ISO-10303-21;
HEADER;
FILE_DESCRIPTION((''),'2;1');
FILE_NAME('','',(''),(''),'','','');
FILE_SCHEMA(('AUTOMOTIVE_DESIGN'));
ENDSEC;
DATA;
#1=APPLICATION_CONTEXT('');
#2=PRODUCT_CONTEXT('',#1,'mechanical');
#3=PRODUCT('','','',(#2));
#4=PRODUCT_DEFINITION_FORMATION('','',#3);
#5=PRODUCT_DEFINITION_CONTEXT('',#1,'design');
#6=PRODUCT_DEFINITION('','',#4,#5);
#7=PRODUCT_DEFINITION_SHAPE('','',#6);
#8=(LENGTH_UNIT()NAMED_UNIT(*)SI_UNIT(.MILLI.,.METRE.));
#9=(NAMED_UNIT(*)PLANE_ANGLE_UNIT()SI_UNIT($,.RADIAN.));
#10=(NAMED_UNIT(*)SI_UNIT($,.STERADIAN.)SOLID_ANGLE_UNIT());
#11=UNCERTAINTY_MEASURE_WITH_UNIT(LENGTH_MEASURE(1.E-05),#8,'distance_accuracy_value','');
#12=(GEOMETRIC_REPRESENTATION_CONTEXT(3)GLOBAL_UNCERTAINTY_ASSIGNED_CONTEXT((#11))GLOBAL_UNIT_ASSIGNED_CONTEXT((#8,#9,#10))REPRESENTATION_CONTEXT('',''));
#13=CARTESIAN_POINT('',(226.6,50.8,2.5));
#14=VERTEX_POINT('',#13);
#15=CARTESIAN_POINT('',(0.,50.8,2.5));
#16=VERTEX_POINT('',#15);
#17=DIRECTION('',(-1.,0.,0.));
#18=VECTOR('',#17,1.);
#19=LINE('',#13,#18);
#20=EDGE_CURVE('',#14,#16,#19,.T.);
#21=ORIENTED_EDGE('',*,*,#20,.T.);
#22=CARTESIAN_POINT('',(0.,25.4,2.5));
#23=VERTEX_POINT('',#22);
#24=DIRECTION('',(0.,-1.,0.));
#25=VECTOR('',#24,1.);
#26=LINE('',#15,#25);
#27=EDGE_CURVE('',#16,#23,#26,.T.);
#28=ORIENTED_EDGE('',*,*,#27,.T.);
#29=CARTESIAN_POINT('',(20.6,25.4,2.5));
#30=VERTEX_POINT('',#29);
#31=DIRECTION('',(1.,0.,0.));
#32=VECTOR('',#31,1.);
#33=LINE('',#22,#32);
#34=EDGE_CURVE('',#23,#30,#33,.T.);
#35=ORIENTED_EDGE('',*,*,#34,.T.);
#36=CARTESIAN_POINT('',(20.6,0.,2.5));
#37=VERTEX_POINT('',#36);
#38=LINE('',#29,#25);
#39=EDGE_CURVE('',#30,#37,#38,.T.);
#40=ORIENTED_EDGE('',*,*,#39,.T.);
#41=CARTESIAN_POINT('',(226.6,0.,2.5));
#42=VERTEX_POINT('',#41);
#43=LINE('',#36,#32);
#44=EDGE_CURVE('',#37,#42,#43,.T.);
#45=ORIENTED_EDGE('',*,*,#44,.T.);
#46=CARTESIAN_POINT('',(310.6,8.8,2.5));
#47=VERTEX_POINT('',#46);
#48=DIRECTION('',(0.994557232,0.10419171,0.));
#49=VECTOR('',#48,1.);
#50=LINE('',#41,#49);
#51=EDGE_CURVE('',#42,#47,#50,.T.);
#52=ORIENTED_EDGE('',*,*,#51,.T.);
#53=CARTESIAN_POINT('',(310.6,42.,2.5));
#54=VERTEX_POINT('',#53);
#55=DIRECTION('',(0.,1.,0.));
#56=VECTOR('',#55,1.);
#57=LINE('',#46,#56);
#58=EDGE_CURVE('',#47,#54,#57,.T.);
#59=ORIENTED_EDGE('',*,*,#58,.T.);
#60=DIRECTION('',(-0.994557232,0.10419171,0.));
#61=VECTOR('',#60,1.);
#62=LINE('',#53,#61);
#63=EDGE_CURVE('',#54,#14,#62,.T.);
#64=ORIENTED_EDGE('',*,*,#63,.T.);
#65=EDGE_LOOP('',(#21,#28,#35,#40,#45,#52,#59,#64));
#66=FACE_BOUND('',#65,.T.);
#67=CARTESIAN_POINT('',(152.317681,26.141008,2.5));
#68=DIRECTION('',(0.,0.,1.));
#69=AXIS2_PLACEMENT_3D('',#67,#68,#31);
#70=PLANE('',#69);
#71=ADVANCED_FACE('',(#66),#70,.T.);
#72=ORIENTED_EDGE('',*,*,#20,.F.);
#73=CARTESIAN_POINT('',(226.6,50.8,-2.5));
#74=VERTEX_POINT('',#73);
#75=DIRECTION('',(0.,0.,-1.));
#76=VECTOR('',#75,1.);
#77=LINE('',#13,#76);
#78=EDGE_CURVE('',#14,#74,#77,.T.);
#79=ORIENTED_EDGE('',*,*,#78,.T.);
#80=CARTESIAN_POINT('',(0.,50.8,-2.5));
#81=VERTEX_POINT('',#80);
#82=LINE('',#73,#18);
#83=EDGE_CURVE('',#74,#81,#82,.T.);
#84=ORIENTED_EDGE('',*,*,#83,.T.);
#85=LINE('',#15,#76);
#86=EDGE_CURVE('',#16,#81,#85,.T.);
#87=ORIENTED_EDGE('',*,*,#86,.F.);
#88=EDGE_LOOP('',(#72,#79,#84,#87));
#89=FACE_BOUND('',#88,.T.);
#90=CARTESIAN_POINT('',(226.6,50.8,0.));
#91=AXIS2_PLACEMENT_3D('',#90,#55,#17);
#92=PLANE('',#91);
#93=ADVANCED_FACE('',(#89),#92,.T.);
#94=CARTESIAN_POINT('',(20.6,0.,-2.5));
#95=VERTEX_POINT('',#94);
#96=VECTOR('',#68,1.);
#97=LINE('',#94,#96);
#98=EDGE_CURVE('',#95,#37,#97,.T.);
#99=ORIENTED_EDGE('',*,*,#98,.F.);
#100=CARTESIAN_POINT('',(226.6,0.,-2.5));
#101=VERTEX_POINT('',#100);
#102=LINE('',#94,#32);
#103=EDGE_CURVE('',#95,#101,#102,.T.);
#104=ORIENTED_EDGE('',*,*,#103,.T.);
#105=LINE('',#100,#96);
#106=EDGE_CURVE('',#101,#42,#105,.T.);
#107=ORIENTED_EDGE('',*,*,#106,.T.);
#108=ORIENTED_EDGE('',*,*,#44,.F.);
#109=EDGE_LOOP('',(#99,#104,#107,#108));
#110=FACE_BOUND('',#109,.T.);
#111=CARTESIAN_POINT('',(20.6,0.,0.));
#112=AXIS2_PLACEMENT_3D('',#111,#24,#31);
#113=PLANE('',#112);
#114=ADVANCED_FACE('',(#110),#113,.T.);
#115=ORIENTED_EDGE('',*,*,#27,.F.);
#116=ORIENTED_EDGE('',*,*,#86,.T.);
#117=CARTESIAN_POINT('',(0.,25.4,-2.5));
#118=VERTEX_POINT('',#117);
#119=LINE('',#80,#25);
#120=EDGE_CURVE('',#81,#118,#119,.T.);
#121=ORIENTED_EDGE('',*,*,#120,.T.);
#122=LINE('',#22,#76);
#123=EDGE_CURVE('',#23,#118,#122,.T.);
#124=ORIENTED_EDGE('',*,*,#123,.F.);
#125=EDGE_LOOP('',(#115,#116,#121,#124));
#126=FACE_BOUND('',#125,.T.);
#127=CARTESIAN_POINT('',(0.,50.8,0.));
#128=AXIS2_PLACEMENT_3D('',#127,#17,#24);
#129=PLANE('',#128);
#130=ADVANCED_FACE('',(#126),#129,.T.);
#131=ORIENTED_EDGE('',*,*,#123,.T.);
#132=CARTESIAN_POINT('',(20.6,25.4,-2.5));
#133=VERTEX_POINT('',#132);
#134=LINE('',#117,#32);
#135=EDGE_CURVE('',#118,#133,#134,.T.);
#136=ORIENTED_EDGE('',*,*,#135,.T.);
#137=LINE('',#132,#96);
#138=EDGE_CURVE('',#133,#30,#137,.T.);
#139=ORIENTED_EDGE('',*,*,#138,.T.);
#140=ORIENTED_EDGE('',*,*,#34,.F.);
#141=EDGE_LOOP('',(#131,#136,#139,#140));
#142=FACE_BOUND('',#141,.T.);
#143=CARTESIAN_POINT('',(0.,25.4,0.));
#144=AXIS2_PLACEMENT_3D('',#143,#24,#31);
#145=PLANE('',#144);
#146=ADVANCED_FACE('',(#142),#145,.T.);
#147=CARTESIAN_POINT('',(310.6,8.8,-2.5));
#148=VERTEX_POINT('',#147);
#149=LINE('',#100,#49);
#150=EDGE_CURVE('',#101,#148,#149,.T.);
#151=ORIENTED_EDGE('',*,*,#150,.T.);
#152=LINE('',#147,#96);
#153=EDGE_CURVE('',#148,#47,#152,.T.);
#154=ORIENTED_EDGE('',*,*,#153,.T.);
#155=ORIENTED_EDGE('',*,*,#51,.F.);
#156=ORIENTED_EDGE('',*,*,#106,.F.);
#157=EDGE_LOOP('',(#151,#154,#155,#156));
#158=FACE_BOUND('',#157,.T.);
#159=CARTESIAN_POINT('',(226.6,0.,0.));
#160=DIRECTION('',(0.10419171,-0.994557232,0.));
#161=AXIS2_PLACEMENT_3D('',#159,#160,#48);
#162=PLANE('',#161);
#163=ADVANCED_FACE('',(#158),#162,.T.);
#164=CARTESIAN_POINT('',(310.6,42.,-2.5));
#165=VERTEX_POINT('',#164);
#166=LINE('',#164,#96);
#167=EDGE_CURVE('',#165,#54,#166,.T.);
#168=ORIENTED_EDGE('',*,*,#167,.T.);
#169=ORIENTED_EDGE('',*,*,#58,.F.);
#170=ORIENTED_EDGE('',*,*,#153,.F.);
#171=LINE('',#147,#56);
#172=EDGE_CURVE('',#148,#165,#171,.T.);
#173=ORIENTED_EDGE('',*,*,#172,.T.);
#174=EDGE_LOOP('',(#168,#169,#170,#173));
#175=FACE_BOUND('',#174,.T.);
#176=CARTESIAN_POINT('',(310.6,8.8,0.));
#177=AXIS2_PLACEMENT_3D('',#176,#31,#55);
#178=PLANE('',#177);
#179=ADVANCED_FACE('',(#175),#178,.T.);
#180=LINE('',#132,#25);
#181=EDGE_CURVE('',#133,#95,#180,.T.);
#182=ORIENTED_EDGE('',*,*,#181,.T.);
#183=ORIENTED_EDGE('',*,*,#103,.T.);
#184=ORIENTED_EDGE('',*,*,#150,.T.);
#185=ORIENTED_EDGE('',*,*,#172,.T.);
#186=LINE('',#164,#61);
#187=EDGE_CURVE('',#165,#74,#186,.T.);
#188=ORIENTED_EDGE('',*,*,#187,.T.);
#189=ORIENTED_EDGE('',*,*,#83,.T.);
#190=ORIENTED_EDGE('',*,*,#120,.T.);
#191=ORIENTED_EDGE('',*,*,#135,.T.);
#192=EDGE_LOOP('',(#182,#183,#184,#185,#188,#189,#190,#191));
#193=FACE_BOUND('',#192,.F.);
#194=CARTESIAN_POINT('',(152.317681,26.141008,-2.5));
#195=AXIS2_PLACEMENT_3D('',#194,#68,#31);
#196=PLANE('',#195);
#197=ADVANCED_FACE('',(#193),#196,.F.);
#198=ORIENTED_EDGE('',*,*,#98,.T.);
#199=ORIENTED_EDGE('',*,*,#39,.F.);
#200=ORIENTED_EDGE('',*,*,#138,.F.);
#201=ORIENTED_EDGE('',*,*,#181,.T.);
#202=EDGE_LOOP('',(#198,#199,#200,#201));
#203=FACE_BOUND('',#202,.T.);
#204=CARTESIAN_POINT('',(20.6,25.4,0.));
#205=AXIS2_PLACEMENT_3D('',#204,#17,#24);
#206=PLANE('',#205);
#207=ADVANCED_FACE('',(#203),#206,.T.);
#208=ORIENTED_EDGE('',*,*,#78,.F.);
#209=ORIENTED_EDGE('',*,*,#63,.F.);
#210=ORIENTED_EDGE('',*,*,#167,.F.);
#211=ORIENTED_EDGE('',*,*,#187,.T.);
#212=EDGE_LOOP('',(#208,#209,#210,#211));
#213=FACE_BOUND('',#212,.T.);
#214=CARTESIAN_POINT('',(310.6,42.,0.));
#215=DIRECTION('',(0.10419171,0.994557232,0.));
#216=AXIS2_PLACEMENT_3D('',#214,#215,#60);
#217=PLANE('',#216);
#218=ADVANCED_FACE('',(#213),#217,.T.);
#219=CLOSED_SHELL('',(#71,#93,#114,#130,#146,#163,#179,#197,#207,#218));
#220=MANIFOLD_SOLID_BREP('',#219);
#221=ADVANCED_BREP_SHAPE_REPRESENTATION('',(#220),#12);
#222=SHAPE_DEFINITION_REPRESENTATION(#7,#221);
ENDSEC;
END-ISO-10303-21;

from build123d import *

# Parameters (mm, degrees)
PAD_DEPTH = 2.5


with BuildPart() as part:
    # Sketch → Pad (new body, symmetric)
    with BuildSketch(Plane.XY):
        Polygon((0, 25.4), (20.6, 25.4), (20.6, 0), (226.6, 0), (310.6, 8.8), (310.6, 42), (226.6, 50.8), (0, 50.8), align=None)
    extrude(amount=PAD_DEPTH, both=True)


solid = part.part
